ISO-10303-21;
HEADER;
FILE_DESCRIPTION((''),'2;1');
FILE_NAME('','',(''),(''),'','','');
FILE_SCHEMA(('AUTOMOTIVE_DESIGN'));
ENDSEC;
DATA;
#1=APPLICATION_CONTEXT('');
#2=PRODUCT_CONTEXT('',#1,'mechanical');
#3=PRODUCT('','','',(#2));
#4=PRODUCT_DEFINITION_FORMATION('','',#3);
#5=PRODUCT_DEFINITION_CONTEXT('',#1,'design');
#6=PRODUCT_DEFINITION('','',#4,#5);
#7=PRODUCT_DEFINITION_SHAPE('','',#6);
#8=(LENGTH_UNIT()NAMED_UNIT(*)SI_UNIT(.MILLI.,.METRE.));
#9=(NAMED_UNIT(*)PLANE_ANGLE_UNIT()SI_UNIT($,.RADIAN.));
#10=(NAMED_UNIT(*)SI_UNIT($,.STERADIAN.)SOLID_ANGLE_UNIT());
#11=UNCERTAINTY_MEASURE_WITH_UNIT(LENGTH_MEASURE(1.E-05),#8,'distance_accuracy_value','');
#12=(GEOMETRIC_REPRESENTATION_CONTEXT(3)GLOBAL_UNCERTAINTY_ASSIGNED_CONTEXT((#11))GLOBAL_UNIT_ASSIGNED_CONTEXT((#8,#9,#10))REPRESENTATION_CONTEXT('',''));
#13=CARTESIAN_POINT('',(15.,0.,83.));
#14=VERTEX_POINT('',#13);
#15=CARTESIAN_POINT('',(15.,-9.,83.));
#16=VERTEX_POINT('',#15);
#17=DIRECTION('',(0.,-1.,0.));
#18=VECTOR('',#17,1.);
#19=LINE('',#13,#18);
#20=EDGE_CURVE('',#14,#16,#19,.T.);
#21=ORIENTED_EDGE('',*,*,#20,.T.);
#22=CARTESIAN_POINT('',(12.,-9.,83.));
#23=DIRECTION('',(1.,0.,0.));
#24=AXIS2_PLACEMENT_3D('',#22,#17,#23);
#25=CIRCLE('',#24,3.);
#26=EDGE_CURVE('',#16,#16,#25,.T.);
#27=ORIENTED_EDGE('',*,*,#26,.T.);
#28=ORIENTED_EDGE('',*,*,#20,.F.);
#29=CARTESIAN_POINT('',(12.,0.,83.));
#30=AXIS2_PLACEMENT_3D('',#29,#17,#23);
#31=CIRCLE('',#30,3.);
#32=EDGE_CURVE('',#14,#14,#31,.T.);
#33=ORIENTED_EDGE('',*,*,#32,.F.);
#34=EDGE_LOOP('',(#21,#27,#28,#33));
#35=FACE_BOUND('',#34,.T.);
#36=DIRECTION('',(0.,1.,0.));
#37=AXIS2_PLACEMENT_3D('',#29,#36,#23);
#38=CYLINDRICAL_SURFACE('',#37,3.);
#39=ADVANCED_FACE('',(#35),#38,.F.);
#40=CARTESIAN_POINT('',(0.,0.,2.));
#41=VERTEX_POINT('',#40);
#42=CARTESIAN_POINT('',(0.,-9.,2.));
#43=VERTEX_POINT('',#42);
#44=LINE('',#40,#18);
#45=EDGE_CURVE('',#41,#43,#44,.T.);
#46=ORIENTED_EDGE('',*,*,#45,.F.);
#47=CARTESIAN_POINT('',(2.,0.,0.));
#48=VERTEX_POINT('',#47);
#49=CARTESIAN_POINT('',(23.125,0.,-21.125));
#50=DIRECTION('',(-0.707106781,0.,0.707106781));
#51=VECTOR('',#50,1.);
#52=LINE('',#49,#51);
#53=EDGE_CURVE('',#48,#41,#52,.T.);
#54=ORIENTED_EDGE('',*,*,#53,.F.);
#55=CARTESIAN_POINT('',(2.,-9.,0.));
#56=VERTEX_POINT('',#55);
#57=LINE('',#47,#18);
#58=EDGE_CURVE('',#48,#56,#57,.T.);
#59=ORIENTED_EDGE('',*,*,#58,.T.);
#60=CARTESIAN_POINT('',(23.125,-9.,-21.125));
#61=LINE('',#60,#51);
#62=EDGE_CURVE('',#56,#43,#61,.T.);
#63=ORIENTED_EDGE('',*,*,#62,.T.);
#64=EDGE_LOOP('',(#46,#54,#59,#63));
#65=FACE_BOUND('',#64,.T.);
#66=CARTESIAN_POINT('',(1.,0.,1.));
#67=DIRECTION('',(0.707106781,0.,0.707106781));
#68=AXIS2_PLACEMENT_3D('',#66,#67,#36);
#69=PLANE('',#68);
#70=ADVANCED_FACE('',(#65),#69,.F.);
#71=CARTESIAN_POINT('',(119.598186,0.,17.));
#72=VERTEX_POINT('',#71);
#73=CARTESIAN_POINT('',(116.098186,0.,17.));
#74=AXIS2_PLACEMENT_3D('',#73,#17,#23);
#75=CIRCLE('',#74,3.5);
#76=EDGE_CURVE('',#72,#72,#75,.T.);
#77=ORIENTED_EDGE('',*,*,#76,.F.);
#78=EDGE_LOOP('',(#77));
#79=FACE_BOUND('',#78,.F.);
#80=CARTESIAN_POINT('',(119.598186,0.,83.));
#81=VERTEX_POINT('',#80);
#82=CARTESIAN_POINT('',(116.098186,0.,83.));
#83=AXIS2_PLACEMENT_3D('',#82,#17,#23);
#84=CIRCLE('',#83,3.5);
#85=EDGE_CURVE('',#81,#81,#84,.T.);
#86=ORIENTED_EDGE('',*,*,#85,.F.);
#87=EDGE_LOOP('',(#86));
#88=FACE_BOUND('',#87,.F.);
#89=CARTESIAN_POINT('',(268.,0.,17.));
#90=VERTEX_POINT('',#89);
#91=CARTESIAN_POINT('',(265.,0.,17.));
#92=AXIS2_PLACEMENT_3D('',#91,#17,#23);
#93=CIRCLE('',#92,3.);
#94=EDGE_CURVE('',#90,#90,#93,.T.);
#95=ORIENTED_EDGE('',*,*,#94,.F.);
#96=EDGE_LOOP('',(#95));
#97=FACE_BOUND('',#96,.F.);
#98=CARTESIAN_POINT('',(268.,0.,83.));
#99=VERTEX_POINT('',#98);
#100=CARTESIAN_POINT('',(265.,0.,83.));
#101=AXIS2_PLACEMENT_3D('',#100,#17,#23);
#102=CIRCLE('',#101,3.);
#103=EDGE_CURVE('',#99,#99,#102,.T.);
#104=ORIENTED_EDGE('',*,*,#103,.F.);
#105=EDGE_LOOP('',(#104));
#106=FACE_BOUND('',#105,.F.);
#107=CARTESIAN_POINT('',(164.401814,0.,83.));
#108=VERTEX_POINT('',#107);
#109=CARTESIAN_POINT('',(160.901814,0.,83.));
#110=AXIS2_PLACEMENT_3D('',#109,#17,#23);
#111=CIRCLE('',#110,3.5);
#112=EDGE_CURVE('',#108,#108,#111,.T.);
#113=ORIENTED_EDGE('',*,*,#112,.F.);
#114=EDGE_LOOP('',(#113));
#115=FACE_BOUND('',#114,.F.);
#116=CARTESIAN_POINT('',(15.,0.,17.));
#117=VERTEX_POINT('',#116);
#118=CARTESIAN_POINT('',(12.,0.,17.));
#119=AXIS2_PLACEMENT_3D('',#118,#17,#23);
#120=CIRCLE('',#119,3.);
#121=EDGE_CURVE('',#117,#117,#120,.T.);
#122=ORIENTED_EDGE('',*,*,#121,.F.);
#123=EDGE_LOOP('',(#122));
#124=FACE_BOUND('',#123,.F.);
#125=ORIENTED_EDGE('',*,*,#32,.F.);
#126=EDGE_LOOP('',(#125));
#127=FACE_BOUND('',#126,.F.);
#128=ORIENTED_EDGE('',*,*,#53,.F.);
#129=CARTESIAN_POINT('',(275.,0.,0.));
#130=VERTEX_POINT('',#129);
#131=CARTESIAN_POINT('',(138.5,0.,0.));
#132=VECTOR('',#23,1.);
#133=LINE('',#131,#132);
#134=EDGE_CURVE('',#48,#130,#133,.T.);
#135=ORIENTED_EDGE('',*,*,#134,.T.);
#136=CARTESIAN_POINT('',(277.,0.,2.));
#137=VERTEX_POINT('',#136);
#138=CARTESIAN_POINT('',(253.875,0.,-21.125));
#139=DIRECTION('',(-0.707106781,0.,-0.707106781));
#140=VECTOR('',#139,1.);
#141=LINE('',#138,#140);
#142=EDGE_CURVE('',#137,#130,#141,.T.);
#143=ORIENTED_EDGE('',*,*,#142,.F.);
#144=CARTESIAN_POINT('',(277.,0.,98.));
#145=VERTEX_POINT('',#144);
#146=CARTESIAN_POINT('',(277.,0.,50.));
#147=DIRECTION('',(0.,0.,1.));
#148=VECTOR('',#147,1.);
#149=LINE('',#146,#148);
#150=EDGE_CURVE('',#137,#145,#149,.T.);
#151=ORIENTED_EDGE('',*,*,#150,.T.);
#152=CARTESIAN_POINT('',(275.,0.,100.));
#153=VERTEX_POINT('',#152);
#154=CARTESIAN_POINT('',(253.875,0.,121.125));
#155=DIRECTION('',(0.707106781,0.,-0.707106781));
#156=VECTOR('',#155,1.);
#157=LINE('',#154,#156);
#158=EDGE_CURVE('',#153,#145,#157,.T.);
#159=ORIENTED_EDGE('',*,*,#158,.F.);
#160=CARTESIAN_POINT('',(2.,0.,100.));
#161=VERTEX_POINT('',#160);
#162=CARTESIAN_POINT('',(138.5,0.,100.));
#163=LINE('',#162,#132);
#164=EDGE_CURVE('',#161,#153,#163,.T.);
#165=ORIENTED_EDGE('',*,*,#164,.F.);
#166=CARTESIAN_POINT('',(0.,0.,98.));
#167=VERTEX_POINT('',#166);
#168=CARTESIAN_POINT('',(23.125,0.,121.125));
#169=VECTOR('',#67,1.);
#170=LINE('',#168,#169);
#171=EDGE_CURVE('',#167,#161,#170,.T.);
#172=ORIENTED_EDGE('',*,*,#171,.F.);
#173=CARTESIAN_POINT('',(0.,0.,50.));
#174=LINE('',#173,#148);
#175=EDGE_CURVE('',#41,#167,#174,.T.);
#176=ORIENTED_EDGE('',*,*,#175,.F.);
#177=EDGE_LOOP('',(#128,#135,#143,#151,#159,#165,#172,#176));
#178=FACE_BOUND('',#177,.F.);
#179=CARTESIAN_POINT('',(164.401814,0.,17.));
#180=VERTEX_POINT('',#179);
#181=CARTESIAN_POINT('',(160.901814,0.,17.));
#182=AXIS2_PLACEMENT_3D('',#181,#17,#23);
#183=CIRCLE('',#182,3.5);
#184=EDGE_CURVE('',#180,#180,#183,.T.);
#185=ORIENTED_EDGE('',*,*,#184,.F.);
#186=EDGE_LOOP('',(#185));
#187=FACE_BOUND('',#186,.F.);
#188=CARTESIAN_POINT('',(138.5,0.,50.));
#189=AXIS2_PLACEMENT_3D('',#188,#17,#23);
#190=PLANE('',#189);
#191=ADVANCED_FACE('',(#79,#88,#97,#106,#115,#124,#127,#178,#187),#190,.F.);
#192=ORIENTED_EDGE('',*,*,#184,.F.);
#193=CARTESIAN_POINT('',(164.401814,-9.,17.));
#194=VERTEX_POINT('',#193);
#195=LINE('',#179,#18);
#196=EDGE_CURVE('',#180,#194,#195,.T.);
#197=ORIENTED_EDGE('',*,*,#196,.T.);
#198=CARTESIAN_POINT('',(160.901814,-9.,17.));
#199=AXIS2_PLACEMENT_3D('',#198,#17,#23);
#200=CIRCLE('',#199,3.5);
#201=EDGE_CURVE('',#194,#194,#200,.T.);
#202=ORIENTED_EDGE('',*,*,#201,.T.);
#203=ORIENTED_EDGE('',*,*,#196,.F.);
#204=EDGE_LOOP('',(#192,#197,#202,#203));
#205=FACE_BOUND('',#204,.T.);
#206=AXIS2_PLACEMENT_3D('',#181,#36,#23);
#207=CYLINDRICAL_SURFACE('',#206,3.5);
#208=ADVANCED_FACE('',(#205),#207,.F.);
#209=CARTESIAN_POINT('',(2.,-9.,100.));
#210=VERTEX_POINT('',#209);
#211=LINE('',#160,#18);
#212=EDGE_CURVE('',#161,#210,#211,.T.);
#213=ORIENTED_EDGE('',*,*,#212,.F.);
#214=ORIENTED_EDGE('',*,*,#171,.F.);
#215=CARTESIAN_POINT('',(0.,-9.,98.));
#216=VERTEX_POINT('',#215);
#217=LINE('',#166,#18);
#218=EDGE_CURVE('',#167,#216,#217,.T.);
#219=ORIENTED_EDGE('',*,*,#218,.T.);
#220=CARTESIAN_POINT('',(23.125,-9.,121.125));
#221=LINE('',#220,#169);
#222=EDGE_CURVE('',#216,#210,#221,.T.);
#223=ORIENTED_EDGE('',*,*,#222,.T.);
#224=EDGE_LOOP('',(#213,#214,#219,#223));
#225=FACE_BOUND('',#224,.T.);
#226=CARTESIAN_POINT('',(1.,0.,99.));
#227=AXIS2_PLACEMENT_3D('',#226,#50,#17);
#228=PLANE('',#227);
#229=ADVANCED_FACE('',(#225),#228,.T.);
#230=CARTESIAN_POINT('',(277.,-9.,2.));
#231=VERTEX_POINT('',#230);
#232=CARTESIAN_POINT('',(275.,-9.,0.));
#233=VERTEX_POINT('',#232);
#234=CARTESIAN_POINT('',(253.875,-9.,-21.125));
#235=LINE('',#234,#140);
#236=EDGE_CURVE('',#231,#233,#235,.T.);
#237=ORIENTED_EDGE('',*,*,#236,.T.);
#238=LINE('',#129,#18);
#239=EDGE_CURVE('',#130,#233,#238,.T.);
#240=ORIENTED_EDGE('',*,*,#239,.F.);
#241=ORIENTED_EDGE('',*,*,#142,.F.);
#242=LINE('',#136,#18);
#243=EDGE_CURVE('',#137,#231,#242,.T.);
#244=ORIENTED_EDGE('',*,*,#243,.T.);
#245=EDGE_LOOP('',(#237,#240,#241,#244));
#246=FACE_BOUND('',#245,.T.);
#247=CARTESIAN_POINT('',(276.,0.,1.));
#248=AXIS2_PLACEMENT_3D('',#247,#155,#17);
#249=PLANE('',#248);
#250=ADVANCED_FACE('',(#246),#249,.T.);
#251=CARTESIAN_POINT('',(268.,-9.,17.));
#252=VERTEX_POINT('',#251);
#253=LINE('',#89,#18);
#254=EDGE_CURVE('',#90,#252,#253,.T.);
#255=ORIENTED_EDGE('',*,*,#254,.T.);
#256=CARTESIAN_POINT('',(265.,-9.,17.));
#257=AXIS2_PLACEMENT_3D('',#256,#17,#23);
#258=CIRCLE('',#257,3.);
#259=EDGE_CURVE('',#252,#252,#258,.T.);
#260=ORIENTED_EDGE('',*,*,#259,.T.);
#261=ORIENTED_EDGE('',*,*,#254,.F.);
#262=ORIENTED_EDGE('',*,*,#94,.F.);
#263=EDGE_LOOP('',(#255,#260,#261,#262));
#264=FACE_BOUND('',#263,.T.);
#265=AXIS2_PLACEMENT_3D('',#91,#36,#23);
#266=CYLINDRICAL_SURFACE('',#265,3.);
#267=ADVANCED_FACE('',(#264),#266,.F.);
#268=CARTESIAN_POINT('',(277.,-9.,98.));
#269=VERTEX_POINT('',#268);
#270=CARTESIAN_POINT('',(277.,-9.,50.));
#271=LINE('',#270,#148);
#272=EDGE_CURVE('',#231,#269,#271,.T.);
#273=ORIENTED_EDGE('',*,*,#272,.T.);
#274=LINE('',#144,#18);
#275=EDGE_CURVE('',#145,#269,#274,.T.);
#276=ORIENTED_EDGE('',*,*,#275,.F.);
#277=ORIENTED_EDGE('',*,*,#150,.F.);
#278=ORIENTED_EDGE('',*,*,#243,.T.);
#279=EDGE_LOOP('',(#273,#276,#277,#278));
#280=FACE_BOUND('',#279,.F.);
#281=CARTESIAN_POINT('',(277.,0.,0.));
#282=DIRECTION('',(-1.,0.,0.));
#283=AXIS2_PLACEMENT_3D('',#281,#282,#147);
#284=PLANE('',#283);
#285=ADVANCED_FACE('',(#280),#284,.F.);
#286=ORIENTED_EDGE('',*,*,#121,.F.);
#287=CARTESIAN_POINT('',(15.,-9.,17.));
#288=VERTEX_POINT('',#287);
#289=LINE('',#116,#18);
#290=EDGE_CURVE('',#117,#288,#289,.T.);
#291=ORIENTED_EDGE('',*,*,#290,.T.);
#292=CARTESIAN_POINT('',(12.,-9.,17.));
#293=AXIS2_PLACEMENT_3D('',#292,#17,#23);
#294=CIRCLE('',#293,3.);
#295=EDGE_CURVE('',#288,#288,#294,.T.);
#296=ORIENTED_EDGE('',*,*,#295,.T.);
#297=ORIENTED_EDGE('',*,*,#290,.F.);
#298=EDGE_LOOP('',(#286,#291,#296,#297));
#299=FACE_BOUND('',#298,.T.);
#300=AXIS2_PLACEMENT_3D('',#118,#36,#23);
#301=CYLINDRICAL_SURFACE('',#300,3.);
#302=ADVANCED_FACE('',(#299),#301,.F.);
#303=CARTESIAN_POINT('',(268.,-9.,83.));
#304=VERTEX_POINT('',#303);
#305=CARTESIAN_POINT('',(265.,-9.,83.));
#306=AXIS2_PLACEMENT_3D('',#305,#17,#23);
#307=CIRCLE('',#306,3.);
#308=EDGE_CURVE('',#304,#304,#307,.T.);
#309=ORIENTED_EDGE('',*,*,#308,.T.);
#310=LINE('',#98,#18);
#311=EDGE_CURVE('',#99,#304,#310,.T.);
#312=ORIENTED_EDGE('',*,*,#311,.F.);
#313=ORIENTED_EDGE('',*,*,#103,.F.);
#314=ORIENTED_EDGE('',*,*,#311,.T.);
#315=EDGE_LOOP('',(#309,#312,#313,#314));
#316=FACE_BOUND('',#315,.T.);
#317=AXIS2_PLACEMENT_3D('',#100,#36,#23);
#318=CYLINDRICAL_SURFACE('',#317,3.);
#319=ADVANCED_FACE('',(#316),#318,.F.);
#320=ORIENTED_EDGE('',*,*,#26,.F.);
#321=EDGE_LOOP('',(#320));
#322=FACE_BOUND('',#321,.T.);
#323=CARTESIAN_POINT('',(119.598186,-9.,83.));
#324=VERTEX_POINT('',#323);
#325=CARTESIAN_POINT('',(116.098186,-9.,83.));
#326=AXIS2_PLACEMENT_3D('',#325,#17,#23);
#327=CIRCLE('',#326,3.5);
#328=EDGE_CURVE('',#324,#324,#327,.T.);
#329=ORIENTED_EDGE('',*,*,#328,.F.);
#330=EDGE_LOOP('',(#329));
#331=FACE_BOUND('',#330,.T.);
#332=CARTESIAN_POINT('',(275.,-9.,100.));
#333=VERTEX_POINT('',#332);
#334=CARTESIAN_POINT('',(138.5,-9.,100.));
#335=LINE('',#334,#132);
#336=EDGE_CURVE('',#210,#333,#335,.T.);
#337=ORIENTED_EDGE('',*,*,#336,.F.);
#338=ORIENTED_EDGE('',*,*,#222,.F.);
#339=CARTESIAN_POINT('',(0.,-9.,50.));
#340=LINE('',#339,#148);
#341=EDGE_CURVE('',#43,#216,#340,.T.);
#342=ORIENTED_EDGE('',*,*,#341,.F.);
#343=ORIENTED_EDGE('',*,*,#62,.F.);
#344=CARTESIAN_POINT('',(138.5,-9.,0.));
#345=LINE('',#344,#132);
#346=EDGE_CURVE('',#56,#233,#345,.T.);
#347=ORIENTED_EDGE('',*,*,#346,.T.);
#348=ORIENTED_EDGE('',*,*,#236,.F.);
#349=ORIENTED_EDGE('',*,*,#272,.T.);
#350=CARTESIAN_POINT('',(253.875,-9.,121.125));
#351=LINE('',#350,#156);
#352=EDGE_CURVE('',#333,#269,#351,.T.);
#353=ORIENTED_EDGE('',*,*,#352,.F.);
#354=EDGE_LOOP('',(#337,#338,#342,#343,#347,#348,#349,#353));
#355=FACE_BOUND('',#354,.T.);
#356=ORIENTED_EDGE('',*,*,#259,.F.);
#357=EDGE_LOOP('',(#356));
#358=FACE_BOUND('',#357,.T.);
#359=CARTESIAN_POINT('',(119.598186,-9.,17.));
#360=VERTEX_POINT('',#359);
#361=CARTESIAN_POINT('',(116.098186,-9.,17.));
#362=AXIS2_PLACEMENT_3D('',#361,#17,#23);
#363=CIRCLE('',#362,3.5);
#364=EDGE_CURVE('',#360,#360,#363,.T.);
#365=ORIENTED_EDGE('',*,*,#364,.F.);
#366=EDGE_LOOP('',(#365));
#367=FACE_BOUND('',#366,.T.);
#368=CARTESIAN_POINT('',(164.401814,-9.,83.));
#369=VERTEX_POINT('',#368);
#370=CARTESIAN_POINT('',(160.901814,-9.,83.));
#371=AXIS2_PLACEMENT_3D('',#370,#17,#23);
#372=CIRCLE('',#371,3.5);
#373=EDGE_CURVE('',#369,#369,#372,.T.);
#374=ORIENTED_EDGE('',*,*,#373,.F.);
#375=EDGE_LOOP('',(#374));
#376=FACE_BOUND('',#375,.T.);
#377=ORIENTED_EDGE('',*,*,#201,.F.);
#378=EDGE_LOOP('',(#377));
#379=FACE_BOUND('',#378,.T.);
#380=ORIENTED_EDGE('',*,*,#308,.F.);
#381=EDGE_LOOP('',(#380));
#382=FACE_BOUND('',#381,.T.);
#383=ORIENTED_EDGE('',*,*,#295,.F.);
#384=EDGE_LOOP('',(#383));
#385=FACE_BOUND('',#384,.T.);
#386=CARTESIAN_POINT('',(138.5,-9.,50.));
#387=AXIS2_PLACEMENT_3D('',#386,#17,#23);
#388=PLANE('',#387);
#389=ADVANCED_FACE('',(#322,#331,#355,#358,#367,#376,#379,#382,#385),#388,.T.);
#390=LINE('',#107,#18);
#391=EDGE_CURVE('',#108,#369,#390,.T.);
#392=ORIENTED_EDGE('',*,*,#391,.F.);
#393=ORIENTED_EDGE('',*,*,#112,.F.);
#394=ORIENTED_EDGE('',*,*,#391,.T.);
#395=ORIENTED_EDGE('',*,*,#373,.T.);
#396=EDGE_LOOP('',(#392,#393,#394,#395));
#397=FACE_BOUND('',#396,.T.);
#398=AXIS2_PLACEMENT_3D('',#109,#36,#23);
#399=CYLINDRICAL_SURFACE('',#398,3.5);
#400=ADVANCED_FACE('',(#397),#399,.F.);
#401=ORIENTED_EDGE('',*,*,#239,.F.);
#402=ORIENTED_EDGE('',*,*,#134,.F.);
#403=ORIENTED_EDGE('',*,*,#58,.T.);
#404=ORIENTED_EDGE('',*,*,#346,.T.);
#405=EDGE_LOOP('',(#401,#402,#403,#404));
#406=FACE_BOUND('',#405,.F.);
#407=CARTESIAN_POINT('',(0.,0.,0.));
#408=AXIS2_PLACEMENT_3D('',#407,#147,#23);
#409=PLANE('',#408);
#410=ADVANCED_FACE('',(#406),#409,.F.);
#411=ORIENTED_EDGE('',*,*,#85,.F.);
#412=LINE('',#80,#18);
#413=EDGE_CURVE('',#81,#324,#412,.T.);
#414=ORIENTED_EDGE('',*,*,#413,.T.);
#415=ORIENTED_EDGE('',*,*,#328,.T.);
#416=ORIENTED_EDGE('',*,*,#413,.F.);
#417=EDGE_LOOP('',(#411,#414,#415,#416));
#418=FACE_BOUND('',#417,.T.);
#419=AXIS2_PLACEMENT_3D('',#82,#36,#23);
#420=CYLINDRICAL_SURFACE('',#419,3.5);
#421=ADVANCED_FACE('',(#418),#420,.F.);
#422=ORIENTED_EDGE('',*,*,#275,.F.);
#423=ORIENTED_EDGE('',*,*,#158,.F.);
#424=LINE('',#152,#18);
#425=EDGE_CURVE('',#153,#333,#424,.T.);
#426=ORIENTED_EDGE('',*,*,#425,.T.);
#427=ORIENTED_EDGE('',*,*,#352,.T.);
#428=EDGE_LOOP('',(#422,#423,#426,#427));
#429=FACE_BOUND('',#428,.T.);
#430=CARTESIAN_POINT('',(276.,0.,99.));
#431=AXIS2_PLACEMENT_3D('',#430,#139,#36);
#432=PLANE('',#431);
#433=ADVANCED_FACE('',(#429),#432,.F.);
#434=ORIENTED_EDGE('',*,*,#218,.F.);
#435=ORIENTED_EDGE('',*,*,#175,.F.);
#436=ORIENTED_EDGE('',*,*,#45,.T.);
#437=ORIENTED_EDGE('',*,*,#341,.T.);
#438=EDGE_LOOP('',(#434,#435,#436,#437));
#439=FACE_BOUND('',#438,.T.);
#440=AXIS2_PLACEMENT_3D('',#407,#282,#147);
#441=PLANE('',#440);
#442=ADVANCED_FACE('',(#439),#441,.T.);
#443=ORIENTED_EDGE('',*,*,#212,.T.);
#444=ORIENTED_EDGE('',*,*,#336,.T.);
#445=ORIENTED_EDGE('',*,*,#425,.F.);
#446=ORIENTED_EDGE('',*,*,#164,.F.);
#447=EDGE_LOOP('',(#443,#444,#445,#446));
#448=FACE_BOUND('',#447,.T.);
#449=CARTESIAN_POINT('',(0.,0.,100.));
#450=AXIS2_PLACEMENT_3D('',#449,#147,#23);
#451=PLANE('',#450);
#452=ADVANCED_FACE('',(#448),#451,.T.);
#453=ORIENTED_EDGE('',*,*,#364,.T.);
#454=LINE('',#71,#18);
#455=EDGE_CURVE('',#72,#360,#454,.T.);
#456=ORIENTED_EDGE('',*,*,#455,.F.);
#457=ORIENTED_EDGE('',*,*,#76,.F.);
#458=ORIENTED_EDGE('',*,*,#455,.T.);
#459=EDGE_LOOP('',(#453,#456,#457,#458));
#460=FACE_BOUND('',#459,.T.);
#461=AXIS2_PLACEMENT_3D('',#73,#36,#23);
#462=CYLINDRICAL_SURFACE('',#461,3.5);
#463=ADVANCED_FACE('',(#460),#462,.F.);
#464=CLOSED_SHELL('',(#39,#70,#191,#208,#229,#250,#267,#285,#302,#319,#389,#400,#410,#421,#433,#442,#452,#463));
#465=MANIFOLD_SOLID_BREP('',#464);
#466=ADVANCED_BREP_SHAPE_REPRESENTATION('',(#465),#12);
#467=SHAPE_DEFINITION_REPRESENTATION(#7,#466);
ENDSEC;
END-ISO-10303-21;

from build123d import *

# Parameters (mm, degrees)
F0_W     = 277
F0_H     = 100
F0_R     = 3
F0_R_2   = 3.5
F1_DEPTH = 9
F2_SIZE  = 2
F3_SIZE  = 2
F4_SIZE  = 2
F5_SIZE  = 2


with BuildPart() as f1:
    # F0 (on Front) → F1 (new body)
    with BuildSketch(Plane.XZ):
        with Locations((138.5, 50)):
            Rectangle(F0_W, F0_H)
        with Locations((12, 17)):
            Circle(F0_R, mode=Mode.SUBTRACT)
        with Locations((116.098186, 17)):
            Circle(F0_R_2, mode=Mode.SUBTRACT)
        with Locations((160.901814, 17)):
            Circle(F0_R_2, mode=Mode.SUBTRACT)
        with Locations((265, 17)):
            Circle(F0_R, mode=Mode.SUBTRACT)
        with Locations((12, 83)):
            Circle(F0_R, mode=Mode.SUBTRACT)
        with Locations((116.098186, 83)):
            Circle(F0_R_2, mode=Mode.SUBTRACT)
        with Locations((160.901814, 83)):
            Circle(F0_R_2, mode=Mode.SUBTRACT)
        with Locations((265, 83)):
            Circle(F0_R, mode=Mode.SUBTRACT)
    extrude(amount=F1_DEPTH)

    # F2
    f2_edges = [f1.edges().sort_by_distance(p)[0] for p in [
        (277, -4.5, 100),
    ]]
    chamfer(f2_edges, length=F2_SIZE)

    # F3
    f3_edges = [f1.edges().sort_by_distance(p)[0] for p in [
        (277, -4.5, 0),
    ]]
    chamfer(f3_edges, length=F3_SIZE)

    # F4
    f4_edges = [f1.edges().sort_by_distance(p)[0] for p in [
        (0, -4.5, 0),
    ]]
    chamfer(f4_edges, length=F4_SIZE)

    # F5
    f5_edges = [f1.edges().sort_by_distance(p)[0] for p in [
        (0, -4.5, 100),
    ]]
    chamfer(f5_edges, length=F5_SIZE)


solid = f1.part
